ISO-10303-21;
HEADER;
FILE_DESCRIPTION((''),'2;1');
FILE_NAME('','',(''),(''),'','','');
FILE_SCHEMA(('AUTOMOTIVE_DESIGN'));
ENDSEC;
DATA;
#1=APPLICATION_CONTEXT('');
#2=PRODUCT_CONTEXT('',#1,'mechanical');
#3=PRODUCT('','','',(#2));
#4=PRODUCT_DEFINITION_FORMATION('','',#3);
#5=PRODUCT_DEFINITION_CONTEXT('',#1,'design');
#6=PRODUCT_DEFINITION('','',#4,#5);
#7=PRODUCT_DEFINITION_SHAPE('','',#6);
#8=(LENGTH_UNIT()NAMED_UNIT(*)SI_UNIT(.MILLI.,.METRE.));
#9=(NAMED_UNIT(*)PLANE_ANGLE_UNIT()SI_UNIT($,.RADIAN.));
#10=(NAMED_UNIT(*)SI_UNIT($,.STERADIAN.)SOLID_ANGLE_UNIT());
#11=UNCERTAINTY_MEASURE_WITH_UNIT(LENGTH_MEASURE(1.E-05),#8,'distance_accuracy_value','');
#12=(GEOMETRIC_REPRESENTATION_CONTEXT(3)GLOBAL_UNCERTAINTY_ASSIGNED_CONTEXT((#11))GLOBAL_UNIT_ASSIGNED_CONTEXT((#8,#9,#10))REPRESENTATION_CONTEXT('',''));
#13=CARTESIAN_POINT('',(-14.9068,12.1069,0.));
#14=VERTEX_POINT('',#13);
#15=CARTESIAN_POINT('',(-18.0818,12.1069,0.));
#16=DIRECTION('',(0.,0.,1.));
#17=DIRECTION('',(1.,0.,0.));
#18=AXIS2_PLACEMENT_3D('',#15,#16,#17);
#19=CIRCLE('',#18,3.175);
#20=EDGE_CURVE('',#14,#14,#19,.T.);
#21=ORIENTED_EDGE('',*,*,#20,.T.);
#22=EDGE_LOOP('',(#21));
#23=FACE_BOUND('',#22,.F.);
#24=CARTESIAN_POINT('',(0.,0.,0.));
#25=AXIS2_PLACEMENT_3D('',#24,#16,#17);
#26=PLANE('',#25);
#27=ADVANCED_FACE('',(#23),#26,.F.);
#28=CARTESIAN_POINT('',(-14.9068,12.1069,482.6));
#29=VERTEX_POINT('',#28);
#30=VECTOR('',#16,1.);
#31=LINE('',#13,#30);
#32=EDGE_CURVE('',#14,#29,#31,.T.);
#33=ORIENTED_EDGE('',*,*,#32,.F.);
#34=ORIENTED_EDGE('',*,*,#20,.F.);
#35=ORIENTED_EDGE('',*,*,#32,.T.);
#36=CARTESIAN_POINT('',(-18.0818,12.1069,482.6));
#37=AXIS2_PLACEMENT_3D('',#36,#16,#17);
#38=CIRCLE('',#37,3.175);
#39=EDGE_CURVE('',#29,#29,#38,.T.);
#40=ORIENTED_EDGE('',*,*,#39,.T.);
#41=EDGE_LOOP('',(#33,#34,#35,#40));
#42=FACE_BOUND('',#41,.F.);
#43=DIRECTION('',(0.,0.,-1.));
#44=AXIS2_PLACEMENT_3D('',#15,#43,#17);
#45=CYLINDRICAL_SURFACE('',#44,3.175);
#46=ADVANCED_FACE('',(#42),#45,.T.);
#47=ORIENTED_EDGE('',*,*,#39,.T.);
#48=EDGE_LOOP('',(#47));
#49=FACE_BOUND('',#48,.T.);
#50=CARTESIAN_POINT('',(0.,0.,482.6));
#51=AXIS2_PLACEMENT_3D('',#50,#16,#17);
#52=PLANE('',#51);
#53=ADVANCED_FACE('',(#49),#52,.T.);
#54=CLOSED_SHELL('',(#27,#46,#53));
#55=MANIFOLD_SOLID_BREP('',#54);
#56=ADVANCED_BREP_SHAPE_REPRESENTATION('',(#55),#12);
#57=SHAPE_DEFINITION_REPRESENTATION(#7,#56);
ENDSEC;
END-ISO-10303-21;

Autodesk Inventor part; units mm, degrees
ref_plane "XZ Plane" through (0, 0, 0) normal (0, 1, 0) x (-1, 0, 0)
ref_plane "XY Plane" through (0, 0, 0) normal (0, 0, 1) x (1, 0, 0)
sketch "Sketch1" plane through (0, 0, 0) normal (0, 0, 1) x (1, 0, 0)
  circle A0 centre (-18.0818, 12.1069) radius 3.175
  dimension "d0" = 6.35
extrude "Extrusion1" add sketch "Sketch1" along normal blind 482.6
ref_plane "Work Plane1" through (-18.0818, 12.1069, 0) normal (0, 1, 0) x (0, 0, 1)
properties part number "FE-00004-03C"
